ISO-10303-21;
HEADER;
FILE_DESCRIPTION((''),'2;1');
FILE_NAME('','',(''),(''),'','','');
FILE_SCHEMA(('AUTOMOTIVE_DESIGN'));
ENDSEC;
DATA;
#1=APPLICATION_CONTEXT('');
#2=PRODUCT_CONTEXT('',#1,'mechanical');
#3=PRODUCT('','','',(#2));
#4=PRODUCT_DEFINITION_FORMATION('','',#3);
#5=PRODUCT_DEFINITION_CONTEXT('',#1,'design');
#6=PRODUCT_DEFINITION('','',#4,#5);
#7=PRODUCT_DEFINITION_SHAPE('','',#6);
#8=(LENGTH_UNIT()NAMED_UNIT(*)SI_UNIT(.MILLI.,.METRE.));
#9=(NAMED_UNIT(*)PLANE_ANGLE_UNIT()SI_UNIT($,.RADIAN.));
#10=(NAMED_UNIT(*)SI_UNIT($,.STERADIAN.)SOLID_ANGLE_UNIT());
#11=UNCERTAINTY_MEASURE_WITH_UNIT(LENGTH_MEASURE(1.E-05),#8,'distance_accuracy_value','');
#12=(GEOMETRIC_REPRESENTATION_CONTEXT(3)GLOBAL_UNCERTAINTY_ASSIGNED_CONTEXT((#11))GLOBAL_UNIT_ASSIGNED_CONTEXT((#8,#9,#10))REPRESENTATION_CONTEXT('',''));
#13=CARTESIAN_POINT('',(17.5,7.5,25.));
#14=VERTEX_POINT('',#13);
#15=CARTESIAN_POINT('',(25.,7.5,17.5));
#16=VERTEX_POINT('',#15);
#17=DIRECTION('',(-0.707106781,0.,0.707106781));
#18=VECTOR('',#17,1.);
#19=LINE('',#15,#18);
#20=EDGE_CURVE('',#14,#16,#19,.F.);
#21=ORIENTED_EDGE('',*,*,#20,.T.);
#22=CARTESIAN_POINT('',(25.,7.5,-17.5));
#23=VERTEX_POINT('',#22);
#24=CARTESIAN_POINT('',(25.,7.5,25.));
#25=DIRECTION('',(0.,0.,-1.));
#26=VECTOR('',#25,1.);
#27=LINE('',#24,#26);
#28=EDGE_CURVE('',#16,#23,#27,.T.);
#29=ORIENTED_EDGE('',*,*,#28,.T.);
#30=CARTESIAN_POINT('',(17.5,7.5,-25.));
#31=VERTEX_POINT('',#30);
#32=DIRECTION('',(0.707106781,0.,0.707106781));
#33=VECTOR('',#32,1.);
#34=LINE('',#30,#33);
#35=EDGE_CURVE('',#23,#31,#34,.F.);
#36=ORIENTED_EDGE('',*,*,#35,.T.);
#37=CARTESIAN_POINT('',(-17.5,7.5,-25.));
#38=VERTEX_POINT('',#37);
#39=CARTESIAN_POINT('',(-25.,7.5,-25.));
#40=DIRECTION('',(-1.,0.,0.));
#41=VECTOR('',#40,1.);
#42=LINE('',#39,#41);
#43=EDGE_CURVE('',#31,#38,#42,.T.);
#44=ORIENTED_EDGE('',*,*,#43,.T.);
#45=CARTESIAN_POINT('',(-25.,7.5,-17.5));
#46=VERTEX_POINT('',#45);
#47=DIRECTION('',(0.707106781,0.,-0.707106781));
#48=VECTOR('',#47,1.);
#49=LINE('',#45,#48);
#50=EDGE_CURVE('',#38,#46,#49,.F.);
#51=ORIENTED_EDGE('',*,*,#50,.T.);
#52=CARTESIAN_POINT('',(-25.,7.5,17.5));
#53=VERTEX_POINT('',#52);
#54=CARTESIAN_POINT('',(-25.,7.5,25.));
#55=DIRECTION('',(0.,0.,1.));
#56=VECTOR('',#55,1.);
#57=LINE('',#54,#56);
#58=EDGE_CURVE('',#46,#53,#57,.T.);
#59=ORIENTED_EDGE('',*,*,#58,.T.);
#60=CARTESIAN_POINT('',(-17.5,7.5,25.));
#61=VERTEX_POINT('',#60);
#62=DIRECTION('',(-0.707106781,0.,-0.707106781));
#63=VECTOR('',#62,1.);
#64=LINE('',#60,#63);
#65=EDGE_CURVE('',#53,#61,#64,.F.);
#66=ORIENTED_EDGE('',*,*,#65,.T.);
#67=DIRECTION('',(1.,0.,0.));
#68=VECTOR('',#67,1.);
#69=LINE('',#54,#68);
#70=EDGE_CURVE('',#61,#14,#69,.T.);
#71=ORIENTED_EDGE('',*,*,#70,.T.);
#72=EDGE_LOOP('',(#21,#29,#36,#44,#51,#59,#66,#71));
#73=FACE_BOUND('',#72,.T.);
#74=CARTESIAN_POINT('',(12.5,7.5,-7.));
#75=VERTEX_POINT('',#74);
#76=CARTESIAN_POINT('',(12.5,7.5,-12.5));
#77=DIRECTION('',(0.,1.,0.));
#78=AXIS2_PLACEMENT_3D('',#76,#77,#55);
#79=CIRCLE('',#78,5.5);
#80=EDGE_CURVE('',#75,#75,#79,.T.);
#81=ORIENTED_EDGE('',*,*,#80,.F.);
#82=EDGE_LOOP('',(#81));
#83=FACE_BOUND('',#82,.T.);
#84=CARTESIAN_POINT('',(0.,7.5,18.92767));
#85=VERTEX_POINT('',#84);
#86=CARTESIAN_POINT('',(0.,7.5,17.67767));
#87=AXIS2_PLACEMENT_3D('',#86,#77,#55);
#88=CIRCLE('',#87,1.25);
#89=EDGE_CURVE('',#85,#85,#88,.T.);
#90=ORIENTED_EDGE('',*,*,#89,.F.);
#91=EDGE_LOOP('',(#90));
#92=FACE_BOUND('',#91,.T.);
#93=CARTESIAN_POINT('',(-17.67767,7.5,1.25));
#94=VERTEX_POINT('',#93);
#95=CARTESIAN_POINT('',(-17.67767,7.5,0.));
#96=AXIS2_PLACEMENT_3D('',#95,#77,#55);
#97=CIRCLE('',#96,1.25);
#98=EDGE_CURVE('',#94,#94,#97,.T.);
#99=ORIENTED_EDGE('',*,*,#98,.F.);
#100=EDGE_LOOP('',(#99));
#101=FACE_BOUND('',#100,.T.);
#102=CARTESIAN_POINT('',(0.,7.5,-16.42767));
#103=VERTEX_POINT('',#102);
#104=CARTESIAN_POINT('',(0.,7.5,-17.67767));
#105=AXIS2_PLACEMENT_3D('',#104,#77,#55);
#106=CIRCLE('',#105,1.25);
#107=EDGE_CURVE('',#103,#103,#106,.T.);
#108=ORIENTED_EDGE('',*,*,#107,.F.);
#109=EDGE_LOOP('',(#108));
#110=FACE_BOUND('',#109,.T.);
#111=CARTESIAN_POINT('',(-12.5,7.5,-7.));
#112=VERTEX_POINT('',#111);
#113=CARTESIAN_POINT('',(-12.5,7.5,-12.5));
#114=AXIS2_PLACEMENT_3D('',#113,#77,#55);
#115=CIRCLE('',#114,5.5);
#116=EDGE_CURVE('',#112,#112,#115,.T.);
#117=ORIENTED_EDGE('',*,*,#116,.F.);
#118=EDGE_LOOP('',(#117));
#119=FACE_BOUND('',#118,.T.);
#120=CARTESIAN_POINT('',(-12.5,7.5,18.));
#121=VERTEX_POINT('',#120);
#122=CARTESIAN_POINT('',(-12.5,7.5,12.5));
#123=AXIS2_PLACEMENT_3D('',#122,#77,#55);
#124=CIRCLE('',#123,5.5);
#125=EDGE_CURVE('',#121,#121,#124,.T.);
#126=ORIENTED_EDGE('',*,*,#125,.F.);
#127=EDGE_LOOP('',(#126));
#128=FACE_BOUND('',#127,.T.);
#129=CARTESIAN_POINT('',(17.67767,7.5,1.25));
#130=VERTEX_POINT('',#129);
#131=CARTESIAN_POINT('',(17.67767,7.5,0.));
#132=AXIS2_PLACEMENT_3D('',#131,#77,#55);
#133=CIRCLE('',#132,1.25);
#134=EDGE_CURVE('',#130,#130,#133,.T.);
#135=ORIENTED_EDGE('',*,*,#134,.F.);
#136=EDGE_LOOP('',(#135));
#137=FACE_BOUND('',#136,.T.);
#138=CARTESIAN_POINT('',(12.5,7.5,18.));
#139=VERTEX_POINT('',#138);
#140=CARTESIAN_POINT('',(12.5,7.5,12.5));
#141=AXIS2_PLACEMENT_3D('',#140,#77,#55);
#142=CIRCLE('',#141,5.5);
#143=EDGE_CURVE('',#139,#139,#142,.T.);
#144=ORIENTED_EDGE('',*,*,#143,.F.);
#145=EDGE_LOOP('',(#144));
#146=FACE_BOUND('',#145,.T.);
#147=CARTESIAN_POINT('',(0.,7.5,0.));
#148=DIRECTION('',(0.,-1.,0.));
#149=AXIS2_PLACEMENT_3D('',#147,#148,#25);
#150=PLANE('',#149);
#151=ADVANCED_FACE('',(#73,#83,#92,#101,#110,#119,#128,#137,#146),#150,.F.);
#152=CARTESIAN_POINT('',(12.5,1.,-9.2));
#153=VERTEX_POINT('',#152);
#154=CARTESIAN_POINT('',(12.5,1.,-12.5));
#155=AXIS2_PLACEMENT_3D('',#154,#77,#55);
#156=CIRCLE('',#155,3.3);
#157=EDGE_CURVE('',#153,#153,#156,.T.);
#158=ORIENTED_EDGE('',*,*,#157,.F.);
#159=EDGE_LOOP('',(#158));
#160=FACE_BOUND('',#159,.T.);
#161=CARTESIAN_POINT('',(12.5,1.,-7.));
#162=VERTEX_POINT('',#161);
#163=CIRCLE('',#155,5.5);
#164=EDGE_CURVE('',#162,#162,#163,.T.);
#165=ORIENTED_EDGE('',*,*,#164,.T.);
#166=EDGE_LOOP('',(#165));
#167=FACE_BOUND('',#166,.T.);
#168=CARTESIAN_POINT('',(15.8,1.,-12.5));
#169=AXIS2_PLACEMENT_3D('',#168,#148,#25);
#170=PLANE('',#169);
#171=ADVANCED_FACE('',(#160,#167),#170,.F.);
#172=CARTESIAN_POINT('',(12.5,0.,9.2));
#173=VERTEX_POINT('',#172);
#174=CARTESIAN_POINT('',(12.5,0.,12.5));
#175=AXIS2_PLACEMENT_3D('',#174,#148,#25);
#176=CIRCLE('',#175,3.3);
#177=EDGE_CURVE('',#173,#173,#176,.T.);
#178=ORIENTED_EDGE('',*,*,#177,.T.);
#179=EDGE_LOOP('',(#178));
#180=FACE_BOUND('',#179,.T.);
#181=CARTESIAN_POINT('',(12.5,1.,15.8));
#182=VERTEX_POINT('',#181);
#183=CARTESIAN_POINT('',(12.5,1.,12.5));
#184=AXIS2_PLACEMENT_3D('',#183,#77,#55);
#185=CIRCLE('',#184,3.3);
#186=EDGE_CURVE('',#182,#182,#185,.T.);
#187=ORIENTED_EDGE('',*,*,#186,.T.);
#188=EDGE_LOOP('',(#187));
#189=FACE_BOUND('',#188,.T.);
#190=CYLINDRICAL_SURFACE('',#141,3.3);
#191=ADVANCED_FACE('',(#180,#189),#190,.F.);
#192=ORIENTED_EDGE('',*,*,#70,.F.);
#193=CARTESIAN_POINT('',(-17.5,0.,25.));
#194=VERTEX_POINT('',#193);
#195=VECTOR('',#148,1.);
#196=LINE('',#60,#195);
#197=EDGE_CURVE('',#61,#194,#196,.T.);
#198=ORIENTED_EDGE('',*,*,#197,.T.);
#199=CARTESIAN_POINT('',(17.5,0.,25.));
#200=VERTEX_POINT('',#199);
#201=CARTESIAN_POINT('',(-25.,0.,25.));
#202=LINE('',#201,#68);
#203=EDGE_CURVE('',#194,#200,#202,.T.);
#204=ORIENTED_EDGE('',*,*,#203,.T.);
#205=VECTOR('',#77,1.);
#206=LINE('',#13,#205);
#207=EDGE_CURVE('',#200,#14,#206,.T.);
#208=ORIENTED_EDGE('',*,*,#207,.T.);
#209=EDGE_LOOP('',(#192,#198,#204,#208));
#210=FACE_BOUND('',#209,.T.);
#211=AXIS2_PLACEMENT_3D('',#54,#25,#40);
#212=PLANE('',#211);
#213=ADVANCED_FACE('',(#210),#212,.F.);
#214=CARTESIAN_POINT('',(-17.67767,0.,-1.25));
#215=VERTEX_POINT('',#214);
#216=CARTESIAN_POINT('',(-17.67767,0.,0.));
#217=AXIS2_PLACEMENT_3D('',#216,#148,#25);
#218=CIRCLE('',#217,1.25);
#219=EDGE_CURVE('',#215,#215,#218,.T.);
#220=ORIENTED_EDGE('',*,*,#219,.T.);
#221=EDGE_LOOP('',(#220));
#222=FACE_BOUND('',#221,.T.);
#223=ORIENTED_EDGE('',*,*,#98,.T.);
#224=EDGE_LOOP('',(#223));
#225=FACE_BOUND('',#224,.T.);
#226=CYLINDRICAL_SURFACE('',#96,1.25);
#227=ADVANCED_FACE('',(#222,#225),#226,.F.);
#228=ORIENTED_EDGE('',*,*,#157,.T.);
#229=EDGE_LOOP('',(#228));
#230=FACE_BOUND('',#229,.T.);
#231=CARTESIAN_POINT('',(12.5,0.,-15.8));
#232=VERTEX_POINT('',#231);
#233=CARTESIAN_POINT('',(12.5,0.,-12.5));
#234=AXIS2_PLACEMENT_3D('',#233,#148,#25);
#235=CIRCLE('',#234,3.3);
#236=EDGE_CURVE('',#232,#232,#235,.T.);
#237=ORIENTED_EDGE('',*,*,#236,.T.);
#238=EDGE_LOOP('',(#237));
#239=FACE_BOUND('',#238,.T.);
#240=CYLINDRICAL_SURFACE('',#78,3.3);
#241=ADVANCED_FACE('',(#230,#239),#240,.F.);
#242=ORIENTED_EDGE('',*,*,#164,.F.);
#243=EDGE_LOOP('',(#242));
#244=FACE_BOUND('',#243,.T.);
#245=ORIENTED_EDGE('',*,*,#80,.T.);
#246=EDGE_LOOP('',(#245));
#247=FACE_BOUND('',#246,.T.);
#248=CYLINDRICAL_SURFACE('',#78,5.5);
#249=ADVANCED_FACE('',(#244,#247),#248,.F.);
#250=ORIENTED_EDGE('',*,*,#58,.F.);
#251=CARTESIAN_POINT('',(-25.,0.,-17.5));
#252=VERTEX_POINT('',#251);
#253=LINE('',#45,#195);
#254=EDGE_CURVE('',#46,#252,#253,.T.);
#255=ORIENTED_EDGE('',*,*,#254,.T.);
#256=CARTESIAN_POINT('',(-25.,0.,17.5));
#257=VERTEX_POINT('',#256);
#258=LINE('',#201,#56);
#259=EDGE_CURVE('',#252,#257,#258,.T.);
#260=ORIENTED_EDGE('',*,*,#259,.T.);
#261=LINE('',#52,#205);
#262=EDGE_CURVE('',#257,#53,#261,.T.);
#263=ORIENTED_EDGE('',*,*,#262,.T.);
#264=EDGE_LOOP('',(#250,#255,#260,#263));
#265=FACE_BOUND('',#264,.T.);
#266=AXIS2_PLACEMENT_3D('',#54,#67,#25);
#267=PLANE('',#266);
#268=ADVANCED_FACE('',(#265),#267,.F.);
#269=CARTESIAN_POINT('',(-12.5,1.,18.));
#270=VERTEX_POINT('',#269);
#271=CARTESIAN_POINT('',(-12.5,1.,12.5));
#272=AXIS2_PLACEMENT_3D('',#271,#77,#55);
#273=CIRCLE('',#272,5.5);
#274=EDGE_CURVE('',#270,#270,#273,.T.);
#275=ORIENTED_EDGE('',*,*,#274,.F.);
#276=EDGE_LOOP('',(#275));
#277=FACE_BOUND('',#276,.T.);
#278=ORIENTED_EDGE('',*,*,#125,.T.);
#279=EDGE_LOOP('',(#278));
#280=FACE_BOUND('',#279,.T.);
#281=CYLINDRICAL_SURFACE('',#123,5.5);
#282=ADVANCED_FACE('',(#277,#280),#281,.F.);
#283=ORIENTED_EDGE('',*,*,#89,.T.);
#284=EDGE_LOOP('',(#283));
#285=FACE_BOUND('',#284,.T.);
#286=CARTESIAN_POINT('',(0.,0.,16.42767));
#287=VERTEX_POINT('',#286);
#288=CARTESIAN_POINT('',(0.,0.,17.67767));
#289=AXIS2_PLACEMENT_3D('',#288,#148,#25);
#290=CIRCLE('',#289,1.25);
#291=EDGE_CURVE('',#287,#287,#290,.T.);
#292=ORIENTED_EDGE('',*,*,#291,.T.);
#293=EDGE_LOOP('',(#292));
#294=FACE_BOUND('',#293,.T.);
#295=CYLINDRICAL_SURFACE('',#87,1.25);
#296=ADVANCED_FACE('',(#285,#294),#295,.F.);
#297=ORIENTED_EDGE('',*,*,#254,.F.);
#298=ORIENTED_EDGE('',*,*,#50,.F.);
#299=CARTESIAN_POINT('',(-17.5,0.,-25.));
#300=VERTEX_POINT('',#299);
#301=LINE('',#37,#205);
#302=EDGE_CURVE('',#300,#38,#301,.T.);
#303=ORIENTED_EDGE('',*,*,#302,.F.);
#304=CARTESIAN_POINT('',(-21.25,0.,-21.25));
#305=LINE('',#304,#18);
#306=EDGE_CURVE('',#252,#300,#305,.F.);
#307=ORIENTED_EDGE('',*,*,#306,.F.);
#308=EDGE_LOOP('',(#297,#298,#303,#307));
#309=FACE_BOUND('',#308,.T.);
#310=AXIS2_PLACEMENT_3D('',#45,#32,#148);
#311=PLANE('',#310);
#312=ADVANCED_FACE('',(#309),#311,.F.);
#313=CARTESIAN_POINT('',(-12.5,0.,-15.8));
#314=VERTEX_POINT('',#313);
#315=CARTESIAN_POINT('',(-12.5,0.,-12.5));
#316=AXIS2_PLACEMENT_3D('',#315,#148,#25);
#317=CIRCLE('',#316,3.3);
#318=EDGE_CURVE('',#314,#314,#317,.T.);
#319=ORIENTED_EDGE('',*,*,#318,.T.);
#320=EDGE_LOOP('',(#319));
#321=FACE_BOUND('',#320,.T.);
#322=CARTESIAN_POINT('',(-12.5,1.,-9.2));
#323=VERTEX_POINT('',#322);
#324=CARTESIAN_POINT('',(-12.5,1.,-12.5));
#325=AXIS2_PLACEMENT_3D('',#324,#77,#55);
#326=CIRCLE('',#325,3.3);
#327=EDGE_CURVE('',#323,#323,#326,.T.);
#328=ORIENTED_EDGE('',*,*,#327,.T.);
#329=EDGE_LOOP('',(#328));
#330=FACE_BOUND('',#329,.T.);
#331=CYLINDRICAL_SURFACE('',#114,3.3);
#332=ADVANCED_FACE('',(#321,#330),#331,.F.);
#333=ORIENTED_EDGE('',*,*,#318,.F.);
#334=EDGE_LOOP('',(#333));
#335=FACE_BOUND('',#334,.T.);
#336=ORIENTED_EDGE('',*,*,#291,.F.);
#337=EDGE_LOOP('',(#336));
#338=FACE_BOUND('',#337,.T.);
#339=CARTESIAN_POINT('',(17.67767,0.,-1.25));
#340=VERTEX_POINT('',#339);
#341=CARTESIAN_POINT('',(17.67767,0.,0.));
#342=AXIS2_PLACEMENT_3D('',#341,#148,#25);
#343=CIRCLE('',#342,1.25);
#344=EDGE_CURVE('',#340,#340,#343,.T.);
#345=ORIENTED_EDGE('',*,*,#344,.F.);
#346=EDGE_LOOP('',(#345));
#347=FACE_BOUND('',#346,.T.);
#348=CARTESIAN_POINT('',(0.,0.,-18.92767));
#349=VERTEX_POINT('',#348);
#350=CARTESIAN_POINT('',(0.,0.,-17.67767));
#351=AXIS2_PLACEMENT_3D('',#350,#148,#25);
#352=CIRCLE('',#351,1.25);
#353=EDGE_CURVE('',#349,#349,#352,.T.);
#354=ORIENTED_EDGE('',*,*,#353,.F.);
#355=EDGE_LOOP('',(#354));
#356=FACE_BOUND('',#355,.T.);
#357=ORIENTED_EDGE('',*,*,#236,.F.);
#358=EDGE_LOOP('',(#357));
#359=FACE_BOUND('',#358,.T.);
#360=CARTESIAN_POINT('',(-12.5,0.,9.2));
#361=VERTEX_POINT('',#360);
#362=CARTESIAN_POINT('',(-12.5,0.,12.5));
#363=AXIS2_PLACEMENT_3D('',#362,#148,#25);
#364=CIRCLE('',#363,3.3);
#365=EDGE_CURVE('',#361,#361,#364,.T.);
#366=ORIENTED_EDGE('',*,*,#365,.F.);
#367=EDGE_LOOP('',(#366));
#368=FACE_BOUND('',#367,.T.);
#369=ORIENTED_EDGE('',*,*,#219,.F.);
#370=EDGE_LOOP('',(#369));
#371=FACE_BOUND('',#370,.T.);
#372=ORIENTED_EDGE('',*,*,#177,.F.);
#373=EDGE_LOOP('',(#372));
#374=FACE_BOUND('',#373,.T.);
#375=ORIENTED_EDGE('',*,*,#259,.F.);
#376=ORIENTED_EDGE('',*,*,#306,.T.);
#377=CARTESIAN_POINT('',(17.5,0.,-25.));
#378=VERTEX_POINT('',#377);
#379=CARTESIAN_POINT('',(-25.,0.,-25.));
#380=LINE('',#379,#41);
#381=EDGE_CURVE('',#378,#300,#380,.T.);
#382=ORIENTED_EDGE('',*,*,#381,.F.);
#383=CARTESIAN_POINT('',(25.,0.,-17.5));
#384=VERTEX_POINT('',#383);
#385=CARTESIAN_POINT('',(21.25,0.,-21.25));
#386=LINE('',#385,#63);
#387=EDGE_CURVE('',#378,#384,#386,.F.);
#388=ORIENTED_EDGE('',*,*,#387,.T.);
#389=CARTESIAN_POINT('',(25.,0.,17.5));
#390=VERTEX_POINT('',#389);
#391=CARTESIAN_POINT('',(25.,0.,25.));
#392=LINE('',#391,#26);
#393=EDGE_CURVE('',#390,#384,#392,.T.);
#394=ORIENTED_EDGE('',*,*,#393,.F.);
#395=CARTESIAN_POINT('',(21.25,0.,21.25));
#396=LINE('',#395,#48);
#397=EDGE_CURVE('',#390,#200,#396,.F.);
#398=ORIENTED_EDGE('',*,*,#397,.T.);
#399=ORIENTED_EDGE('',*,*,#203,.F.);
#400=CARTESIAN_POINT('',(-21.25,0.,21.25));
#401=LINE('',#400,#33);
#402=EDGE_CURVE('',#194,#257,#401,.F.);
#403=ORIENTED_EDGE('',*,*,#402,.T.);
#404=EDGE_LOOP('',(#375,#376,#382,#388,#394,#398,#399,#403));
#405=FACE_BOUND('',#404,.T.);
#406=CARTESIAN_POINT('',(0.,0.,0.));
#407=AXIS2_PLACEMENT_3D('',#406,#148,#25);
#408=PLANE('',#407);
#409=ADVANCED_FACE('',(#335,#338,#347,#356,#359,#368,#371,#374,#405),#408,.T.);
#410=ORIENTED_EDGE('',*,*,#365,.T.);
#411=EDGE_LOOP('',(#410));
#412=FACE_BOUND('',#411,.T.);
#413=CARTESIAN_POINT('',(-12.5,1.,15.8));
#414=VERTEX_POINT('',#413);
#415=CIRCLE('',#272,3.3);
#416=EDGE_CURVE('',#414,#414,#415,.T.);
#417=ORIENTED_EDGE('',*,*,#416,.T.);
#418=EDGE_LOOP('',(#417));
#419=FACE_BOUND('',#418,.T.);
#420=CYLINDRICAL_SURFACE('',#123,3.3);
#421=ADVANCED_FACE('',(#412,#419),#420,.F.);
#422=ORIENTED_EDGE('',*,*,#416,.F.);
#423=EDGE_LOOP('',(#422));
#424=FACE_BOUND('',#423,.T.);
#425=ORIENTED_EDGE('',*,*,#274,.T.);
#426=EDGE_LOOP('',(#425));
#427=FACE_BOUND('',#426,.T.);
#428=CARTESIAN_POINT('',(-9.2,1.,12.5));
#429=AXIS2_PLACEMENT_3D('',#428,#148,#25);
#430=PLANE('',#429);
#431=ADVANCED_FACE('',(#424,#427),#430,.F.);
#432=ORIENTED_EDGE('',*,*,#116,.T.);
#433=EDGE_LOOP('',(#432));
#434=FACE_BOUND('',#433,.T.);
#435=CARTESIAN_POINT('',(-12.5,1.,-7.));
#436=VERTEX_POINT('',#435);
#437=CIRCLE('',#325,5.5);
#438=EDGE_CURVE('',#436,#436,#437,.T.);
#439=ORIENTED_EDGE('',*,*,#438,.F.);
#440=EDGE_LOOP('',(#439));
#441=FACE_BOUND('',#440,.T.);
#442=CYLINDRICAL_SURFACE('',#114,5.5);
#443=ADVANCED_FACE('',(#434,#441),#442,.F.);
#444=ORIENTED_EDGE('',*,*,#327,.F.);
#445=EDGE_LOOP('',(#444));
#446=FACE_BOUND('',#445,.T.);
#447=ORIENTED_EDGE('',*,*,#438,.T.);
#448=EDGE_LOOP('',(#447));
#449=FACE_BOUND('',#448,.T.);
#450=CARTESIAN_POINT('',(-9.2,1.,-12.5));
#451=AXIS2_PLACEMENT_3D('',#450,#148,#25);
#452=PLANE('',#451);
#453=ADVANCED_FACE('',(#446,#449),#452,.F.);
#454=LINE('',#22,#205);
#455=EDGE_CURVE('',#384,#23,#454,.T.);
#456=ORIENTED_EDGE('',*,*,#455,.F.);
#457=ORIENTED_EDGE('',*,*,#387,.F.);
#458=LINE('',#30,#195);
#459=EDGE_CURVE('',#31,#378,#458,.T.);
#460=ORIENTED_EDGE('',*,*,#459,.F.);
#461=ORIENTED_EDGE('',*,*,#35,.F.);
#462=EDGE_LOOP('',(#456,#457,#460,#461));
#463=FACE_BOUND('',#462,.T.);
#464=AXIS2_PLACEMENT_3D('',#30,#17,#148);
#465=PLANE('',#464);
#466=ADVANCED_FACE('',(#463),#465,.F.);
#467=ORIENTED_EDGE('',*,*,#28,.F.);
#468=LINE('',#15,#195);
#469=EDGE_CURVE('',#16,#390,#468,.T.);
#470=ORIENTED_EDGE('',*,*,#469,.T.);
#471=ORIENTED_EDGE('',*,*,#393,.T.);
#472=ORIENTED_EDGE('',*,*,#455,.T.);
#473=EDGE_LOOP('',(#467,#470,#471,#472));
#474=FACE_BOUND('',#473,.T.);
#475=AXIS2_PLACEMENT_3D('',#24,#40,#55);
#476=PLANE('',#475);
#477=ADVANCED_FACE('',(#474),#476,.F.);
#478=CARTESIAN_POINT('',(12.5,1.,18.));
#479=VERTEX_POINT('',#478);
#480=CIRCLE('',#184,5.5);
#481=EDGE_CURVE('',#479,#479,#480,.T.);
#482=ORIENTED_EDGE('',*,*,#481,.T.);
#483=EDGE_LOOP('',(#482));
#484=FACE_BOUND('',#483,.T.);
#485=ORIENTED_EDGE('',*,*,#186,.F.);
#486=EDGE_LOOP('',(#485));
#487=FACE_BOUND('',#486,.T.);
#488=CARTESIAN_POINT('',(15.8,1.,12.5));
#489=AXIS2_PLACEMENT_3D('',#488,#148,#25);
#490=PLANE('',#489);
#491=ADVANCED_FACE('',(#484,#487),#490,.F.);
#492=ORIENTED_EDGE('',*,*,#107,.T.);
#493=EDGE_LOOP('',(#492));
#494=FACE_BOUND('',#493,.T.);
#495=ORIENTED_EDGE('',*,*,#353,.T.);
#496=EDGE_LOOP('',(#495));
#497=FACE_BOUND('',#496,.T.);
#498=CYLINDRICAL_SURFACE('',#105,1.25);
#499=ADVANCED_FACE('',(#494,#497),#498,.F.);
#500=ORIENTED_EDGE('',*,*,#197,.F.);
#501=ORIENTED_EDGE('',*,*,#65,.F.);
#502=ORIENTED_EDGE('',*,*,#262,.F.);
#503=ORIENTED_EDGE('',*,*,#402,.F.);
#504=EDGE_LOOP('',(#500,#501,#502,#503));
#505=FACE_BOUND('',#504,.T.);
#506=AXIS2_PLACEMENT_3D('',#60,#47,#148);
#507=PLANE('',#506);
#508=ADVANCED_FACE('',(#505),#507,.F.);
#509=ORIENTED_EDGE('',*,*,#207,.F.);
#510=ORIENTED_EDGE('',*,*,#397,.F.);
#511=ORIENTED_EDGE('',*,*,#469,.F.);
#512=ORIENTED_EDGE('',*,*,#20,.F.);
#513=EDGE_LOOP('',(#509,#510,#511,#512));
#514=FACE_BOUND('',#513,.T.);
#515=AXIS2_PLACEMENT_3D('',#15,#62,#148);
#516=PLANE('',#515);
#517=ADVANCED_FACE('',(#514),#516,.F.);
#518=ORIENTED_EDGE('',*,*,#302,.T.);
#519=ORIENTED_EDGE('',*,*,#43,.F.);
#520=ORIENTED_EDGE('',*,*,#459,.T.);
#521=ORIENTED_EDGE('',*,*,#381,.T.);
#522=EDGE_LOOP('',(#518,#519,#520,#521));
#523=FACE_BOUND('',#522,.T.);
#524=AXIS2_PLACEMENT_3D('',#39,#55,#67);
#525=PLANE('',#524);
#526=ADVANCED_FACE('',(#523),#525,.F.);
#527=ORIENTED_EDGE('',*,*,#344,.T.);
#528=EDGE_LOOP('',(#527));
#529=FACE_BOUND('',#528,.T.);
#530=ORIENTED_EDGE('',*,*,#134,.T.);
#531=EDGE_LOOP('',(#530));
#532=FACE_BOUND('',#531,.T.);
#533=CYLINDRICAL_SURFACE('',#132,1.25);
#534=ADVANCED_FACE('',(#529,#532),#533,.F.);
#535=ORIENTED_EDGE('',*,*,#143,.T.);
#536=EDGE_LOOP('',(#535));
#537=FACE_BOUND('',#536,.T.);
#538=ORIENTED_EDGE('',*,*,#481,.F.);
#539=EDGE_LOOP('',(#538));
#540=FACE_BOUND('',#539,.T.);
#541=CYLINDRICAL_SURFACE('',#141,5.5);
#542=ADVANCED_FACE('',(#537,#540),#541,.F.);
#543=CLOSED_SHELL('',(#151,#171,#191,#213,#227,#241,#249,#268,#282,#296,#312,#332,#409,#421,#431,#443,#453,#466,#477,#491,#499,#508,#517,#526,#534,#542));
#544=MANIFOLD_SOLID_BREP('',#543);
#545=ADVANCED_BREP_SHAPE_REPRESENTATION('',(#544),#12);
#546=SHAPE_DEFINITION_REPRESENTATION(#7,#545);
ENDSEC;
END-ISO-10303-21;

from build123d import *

# Parameters (mm, degrees)
SKETCH1_W                                           = 50
SKETCH1_H                                           = 50
BOSS_EXTRUDE1_DEPTH                                 = 7.5
CBORE_FOR_M6_HEX_SOCKET_HEAD_CAP_SCREW1_D           = 6.6
CBORE_FOR_M6_HEX_SOCKET_HEAD_CAP_SCREW1_DEPTH       = 7.5
CBORE_FOR_M6_HEX_SOCKET_HEAD_CAP_SCREW1_CBORE_D     = 11
CBORE_FOR_M6_HEX_SOCKET_HEAD_CAP_SCREW1_CBORE_DEPTH = 6.5
M3_TAPPED_HOLE1_D                                   = 2.5
M3_TAPPED_HOLE1_DEPTH                               = 7.5
CHAMFER1_SIZE                                       = 7.5


with BuildPart() as part:
    # Sketch1 → Boss-Extrude1 (new body)
    with BuildSketch(Plane(origin=(0, 0, 0), x_dir=(1, 0, 0), z_dir=(0, 1, 0))):
        Rectangle(SKETCH1_W, SKETCH1_H)
    extrude(amount=BOSS_EXTRUDE1_DEPTH)

    # CBORE for M6 Hex Socket Head Cap Screw1
    with Locations(Plane(origin=(0, 7.5, 0), x_dir=(1, 0, 0), z_dir=(0, 1, 0))):
        with Locations((-12.5, -12.5), (-12.5, 12.5), (12.5, 12.5), (12.5, -12.5)):
            CounterBoreHole(CBORE_FOR_M6_HEX_SOCKET_HEAD_CAP_SCREW1_D / 2, CBORE_FOR_M6_HEX_SOCKET_HEAD_CAP_SCREW1_CBORE_D / 2, CBORE_FOR_M6_HEX_SOCKET_HEAD_CAP_SCREW1_CBORE_DEPTH, depth=CBORE_FOR_M6_HEX_SOCKET_HEAD_CAP_SCREW1_DEPTH)

    # M3 Tapped Hole1
    with Locations(Plane(origin=(0, 7.5, 0), x_dir=(1, 0, 0), z_dir=(0, 1, 0))):
        with Locations((0, 17.67766953), (-17.67766953, 0), (0, -17.67766953), (17.67766953, 0)):
            Hole(M3_TAPPED_HOLE1_D / 2, depth=M3_TAPPED_HOLE1_DEPTH)

    # Chamfer1
    chamfer1_edges = [part.edges().sort_by_distance(p)[0] for p in [
        (25, 3.75, 25),
        (-25, 3.75, 25),
        (-25, 3.75, -25),
        (25, 3.75, -25),
    ]]
    chamfer(chamfer1_edges, length=CHAMFER1_SIZE)


solid = part.part
